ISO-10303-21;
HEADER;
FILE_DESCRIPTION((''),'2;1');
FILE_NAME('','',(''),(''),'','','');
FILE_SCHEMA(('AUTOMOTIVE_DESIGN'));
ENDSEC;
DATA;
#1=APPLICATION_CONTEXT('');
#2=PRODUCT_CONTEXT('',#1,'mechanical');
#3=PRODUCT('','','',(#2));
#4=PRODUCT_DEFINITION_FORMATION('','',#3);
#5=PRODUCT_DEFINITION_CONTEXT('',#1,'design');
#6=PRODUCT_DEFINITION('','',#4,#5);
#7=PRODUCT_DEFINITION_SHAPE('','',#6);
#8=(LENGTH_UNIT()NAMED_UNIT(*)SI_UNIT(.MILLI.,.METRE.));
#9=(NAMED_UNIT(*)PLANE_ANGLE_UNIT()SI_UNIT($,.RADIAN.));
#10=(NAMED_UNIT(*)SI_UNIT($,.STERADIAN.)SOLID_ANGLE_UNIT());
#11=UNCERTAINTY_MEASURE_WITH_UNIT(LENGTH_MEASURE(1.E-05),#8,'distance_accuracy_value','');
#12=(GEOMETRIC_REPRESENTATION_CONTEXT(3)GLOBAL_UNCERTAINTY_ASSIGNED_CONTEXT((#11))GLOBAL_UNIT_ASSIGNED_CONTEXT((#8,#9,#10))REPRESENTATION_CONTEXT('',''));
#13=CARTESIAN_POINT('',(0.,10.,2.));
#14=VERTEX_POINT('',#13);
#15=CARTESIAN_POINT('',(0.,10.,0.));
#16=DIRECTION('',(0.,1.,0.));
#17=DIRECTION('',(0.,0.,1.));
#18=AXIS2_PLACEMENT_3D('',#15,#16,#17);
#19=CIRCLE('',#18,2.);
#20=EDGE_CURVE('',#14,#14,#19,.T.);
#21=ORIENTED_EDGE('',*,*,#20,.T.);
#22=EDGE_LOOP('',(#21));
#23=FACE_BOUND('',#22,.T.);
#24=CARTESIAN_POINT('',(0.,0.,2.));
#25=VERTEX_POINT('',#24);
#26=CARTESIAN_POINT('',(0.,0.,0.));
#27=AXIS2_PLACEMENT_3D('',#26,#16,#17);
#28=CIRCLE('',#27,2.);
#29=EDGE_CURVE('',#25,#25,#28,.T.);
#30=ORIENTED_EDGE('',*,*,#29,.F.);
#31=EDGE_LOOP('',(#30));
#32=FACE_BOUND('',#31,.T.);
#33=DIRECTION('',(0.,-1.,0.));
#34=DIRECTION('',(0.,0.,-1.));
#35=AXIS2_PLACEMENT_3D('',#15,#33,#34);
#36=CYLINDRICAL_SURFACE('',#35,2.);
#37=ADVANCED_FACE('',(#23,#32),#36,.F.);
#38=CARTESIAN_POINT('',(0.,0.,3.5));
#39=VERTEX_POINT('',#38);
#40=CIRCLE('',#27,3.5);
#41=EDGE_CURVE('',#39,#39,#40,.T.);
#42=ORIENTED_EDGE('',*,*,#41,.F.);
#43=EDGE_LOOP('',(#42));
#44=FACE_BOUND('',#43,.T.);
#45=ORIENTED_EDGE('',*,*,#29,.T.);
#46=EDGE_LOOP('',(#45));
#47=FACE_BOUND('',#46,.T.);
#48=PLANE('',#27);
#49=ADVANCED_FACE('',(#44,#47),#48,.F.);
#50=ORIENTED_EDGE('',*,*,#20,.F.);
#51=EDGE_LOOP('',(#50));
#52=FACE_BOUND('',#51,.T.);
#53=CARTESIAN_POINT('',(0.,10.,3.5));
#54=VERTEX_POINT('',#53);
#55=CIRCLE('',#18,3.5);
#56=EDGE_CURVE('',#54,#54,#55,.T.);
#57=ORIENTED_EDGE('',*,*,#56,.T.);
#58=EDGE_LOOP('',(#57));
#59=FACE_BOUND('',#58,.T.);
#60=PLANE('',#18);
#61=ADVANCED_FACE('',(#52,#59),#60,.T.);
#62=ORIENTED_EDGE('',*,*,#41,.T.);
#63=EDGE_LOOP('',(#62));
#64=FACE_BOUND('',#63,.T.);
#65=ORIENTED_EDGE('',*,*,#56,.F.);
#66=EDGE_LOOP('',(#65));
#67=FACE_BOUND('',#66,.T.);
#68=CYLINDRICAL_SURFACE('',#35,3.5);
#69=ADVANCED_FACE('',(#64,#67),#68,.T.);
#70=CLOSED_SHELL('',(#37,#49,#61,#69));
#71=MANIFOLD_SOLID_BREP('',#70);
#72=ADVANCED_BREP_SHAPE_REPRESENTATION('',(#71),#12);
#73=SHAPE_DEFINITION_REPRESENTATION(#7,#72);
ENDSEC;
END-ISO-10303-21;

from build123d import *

# Parameters (mm, degrees)
SKETCH_1_R        = 3.5
SKETCH_1_R_2      = 2
EXTRUDE_323_DEPTH = 10


with BuildPart() as part:
    # Эскиз1 → Extrude 323 (new body)
    with BuildSketch(Plane(origin=(0, 0, 0), x_dir=(1, 0, 0), z_dir=(0, 1, 0))):
        with Locations(Location((0, 0, 0), (0, 0, 270))):
            Circle(SKETCH_1_R)
        with Locations(Location((0, 0, 0), (0, 0, 270))):
            Circle(SKETCH_1_R_2, mode=Mode.SUBTRACT)
    extrude(amount=EXTRUDE_323_DEPTH)


solid = part.part
